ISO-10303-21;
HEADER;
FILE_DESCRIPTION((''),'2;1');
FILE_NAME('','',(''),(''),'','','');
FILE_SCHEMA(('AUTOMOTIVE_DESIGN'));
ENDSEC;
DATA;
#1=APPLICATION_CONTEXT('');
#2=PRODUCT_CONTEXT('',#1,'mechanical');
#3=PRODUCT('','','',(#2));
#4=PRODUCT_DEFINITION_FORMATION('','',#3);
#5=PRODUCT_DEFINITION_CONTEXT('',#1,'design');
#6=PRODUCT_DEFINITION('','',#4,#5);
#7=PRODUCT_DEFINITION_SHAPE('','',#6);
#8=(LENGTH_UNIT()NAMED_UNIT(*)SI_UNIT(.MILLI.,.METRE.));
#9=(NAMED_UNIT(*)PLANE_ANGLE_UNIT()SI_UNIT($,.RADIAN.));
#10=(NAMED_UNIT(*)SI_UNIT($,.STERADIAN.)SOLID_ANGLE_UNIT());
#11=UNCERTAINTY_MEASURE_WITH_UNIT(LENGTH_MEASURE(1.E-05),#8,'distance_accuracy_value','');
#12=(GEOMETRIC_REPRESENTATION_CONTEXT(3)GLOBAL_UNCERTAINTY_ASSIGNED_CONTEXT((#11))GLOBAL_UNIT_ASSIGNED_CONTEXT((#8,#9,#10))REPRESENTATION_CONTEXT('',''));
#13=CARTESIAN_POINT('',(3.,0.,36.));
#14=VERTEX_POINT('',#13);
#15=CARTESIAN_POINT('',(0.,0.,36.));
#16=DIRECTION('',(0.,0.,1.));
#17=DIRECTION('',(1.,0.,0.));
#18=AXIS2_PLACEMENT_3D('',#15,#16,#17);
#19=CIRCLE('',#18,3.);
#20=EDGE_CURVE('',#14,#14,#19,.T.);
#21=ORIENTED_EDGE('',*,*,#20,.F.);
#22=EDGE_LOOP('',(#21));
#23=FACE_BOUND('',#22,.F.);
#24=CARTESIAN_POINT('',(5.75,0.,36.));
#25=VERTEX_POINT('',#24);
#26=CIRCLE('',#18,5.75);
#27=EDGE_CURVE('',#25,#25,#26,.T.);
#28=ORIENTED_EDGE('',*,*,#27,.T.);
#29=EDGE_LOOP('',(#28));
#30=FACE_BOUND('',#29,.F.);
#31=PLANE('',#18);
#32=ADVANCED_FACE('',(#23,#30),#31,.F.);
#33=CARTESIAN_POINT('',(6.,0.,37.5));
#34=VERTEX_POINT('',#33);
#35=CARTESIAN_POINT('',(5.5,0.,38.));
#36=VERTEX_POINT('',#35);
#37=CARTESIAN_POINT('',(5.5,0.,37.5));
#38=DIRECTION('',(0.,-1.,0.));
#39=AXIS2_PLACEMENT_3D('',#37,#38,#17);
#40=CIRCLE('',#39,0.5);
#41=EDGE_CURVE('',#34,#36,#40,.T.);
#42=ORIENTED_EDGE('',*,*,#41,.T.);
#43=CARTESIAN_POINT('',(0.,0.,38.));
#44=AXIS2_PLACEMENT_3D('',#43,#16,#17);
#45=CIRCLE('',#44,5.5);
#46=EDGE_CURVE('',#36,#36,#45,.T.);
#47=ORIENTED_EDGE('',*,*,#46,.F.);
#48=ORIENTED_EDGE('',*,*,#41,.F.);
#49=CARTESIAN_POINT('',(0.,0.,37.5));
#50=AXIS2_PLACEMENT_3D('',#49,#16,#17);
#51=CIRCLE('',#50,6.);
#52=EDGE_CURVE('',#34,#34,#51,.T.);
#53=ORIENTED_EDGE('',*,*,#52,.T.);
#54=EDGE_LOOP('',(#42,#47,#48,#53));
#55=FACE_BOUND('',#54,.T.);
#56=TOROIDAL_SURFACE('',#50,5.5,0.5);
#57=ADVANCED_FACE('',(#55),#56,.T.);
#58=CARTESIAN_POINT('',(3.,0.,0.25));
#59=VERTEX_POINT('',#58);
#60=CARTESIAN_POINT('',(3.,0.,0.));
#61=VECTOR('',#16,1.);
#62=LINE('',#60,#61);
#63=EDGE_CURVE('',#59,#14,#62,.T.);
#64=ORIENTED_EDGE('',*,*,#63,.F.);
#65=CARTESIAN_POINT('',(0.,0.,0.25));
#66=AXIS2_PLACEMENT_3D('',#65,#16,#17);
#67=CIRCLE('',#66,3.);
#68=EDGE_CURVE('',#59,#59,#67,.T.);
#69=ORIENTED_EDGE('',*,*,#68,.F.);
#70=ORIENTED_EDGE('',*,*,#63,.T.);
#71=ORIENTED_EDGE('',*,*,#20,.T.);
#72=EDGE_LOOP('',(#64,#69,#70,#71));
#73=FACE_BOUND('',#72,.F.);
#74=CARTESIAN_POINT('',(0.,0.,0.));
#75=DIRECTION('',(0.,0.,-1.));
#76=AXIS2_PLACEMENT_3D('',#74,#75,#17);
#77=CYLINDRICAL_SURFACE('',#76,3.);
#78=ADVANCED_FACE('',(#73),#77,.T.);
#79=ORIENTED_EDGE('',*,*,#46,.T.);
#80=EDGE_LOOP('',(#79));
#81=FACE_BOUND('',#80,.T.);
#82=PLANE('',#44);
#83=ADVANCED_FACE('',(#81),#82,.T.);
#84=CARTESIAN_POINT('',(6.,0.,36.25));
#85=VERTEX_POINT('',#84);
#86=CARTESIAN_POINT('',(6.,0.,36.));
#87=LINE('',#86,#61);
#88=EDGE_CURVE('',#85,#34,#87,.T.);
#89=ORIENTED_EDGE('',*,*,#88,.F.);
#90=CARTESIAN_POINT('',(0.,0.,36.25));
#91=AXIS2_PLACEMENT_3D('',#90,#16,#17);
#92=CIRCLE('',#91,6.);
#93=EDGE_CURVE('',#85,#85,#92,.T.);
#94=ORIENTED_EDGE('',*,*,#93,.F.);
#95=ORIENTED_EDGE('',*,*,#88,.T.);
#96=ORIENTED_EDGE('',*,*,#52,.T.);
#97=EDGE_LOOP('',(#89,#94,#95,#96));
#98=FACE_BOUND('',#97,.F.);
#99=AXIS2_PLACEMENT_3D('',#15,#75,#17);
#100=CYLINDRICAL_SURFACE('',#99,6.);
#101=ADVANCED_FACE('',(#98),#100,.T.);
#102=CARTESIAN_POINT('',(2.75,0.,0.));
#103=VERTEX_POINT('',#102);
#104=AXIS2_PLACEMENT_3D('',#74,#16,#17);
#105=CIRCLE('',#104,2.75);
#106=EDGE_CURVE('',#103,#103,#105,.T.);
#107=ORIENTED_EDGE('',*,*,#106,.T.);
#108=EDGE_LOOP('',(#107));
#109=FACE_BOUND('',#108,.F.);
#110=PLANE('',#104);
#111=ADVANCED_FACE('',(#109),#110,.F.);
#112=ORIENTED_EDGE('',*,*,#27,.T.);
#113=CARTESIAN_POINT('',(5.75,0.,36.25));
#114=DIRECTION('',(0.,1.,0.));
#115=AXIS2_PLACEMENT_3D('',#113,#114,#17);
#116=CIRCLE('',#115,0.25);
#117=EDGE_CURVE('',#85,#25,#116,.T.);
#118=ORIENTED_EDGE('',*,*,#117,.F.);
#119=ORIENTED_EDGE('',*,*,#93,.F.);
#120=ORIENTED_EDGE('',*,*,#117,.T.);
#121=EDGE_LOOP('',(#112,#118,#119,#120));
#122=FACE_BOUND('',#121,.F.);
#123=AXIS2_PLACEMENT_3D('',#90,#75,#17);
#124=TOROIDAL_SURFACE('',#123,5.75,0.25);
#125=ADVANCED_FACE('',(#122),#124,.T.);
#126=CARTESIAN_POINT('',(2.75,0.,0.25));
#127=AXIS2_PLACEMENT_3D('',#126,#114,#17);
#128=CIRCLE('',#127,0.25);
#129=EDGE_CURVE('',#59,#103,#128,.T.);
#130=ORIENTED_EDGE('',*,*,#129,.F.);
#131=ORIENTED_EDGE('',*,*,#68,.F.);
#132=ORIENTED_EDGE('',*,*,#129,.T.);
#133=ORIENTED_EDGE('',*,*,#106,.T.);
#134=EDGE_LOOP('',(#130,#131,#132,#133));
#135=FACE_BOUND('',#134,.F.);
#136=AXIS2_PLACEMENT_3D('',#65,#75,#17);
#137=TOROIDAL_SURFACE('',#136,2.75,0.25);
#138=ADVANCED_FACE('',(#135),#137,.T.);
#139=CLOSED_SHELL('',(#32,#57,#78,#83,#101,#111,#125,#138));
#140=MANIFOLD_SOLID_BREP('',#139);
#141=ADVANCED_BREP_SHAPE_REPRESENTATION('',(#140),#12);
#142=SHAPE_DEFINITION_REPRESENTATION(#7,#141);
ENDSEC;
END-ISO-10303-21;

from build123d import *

# Parameters (mm, degrees)
F0_R     = 3
F1_DEPTH = 36
F2_R     = 6
F3_DEPTH = 2
F4_R     = 0.5
F5_R     = 0.25


with BuildPart() as f1:
    # F0 (on Top) → F1 (new body)
    with BuildSketch(Plane.XY):
        Circle(F0_R)
    extrude(amount=F1_DEPTH)

    # F2 (on face) → F3 (join)
    with BuildSketch(Plane.XY.offset(36)):
        Circle(F2_R)
    extrude(amount=F3_DEPTH)

    # F4
    f4_edges = [f1.edges().sort_by_distance(p)[0] for p in [
        (-6, 0, 38),
    ]]
    fillet(f4_edges, radius=F4_R)

    # F5
    f5_edges = [f1.edges().sort_by_distance(p)[0] for p in [
        (-6, 0, 36),
        (-3, 0, 0),
    ]]
    fillet(f5_edges, radius=F5_R)


solid = f1.part
